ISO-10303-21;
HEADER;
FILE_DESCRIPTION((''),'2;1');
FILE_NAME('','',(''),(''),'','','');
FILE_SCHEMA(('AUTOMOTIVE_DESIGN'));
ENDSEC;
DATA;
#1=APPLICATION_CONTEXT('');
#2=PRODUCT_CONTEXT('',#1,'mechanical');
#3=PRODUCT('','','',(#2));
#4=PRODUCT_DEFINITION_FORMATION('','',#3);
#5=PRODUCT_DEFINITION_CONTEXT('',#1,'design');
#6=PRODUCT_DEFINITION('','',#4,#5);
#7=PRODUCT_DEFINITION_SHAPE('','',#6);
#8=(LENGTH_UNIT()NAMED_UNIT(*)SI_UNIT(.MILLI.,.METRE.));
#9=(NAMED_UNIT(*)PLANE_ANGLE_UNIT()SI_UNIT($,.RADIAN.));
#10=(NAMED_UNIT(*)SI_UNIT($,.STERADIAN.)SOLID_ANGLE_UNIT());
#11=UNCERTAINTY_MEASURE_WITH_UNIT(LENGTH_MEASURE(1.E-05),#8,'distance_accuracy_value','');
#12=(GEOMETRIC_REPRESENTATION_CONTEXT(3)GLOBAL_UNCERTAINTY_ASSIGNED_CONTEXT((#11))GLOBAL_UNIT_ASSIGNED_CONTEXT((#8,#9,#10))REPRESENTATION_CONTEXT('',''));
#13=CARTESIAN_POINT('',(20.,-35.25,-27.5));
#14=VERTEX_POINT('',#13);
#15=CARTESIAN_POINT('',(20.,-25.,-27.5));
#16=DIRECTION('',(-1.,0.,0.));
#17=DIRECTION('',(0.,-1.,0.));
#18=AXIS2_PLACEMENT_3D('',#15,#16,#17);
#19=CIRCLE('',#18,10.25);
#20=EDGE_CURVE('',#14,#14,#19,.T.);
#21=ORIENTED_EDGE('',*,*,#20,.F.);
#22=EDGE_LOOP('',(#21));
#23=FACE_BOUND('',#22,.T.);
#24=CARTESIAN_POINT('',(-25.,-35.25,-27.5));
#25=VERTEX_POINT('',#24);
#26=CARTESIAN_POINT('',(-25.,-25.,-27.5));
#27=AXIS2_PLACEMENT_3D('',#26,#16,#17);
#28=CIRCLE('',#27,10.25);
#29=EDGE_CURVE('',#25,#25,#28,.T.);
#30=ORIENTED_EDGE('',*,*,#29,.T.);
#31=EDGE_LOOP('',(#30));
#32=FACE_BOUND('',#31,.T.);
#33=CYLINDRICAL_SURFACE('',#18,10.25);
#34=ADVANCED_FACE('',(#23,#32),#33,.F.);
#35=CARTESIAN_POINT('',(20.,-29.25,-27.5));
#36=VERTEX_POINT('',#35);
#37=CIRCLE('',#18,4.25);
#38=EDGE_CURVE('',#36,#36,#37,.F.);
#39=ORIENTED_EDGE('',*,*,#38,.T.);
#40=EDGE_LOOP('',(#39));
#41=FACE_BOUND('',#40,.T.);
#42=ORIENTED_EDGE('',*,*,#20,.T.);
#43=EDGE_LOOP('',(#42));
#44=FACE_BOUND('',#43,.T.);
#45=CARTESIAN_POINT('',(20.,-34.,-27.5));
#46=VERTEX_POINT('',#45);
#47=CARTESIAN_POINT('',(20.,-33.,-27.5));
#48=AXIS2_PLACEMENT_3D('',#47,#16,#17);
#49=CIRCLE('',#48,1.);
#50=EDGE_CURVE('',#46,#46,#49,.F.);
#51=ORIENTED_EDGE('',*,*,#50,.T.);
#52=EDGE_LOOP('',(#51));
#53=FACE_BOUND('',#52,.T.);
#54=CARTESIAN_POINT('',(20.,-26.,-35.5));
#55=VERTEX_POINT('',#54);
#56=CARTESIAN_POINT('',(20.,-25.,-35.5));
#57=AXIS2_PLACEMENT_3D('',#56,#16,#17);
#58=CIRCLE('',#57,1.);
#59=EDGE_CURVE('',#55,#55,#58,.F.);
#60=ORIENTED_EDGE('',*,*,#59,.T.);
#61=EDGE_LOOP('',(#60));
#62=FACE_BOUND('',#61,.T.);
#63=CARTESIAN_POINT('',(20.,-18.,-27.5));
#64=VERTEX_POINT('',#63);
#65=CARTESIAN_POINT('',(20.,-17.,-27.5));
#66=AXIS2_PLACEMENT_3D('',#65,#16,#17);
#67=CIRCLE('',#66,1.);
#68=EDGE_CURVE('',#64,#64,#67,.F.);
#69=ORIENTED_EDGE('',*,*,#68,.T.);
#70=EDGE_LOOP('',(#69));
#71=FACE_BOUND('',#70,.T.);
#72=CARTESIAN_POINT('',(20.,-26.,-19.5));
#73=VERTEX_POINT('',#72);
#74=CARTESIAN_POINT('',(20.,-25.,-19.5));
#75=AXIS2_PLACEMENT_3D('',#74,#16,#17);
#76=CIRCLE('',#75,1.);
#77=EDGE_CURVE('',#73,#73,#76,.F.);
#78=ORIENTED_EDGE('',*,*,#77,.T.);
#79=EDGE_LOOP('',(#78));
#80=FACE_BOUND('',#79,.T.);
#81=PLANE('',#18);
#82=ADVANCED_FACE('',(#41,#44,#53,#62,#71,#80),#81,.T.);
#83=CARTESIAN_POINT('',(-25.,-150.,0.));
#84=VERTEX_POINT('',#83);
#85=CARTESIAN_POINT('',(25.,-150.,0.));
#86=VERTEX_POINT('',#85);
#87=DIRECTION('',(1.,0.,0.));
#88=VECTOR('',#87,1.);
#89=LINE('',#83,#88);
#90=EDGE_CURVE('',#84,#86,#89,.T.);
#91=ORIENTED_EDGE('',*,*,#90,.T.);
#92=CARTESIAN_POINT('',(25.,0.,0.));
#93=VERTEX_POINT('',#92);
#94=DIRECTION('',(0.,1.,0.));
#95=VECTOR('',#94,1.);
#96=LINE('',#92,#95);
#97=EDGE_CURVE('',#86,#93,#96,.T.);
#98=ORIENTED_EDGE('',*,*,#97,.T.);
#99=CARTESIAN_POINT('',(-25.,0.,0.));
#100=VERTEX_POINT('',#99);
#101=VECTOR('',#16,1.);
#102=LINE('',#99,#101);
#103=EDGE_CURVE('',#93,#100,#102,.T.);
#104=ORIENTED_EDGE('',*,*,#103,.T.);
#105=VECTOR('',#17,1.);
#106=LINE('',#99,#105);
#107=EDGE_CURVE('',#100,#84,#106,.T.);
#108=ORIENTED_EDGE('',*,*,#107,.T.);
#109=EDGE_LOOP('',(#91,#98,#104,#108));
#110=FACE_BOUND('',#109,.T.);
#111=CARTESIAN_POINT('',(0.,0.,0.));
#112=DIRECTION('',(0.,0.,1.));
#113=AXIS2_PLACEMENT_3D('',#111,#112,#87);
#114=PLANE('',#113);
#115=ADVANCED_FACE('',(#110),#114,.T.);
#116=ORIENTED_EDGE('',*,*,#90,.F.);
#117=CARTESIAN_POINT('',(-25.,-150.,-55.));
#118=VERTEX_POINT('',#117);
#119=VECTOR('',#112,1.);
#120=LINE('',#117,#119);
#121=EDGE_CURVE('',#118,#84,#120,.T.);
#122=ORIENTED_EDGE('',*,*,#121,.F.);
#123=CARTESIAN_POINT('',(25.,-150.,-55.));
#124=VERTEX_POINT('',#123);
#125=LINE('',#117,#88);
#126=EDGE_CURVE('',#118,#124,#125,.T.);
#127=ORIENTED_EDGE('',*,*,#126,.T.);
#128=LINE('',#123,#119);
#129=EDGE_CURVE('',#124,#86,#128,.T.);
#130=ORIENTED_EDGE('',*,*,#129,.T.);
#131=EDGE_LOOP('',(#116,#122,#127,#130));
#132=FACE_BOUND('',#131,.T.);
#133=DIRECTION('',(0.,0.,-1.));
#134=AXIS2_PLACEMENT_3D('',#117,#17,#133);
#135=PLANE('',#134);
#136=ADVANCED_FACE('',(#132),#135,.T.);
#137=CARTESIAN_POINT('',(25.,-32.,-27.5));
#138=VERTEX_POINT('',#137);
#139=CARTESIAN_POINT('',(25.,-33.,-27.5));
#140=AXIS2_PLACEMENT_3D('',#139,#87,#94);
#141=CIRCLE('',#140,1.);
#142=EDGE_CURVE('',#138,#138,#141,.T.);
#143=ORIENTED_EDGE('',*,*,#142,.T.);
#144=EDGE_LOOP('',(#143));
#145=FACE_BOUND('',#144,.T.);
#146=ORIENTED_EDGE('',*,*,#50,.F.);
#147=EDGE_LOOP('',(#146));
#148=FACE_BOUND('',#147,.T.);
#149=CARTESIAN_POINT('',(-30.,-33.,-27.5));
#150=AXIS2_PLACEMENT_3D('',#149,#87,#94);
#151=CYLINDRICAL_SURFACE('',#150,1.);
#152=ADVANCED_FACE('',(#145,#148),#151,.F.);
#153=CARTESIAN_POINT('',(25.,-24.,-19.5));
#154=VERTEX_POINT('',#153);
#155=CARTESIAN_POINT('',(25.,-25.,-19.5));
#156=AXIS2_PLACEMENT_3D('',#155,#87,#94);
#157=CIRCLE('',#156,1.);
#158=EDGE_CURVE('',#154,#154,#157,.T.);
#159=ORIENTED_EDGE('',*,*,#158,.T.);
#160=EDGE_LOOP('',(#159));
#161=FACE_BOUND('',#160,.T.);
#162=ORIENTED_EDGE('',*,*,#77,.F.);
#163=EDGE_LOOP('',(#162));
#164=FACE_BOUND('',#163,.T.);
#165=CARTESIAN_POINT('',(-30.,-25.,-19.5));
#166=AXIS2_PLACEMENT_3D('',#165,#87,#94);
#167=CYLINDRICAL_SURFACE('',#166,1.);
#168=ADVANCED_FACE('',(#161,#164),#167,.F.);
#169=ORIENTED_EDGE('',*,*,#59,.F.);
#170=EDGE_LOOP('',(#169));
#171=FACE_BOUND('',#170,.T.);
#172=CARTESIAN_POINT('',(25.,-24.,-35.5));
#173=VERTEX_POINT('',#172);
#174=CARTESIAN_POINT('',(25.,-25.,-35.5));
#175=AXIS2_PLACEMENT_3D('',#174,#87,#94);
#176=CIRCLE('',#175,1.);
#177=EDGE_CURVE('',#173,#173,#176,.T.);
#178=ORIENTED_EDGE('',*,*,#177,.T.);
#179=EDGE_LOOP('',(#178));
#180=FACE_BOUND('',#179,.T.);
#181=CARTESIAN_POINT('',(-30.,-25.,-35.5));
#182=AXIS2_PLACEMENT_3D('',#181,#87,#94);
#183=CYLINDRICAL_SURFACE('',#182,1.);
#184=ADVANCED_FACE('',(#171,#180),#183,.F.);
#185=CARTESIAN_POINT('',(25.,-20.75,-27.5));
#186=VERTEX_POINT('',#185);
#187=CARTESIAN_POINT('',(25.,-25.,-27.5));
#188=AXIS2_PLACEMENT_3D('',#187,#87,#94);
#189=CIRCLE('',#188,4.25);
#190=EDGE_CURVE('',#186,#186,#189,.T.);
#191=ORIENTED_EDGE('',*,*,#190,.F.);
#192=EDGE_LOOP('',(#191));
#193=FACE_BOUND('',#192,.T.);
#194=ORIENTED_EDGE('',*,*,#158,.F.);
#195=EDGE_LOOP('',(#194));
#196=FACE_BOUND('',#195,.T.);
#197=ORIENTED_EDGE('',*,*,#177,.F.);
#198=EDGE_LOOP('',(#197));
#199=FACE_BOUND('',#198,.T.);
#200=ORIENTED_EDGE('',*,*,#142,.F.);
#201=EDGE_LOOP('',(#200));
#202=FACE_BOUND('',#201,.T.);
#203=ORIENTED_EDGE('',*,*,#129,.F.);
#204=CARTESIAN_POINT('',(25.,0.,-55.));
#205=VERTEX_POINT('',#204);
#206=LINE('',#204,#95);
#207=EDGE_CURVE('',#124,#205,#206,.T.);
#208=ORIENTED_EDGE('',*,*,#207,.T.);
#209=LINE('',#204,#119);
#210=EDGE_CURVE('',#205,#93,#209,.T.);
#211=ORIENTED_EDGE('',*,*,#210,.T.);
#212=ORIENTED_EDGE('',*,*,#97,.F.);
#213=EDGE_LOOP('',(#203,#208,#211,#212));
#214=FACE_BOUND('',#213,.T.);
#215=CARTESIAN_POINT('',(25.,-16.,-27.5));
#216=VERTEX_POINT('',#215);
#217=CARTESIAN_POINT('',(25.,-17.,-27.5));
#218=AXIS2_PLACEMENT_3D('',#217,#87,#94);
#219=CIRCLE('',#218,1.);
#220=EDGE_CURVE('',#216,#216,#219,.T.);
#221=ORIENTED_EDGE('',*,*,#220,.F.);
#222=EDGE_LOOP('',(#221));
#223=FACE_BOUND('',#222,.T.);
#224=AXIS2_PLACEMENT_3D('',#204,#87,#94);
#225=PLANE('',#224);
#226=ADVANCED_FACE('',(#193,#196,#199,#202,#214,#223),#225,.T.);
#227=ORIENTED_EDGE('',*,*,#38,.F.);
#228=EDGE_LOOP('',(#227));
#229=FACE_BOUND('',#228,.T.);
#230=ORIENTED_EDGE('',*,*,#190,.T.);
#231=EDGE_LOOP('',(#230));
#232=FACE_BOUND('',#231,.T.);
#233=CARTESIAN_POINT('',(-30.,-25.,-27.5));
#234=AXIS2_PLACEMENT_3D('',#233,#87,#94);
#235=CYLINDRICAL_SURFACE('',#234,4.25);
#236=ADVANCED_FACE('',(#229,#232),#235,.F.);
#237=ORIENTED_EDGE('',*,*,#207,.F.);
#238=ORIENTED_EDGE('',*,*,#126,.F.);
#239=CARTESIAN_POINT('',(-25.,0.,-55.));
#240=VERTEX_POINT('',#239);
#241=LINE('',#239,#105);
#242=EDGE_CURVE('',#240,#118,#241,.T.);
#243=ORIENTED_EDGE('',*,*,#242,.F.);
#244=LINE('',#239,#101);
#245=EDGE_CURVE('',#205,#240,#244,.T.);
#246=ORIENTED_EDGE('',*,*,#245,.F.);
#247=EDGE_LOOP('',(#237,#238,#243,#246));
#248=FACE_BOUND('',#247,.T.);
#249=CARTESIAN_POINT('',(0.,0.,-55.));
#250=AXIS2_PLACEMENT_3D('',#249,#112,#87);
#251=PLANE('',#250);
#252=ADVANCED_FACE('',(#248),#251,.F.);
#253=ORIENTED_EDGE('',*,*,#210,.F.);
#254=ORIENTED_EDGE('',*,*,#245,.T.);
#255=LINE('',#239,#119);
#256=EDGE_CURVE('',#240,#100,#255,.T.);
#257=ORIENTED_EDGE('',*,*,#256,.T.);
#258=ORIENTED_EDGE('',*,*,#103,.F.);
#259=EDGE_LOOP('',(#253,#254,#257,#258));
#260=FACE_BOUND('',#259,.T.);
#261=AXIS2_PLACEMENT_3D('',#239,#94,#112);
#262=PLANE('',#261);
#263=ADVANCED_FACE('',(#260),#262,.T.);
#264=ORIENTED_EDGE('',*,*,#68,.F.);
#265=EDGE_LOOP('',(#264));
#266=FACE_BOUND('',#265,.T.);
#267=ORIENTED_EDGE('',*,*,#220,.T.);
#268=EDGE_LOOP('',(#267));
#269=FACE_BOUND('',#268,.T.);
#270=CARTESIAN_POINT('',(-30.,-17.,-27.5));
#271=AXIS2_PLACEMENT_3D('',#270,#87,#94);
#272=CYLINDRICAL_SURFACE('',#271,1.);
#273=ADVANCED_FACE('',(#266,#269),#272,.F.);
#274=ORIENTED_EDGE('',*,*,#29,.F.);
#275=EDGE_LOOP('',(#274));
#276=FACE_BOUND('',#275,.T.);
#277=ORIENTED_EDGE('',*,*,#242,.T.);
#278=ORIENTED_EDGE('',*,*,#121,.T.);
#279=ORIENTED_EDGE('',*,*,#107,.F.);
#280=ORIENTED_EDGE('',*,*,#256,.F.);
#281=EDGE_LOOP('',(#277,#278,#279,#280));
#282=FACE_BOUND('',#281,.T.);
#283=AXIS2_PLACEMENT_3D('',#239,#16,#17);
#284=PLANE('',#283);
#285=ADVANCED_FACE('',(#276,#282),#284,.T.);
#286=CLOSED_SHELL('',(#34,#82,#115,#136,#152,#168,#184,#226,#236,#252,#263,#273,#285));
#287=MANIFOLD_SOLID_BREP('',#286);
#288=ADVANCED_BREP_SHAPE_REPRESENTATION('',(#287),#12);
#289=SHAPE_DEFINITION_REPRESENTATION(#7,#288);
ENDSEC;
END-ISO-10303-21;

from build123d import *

# Parameters (mm, degrees)
SKETCH1_W               = 50
SKETCH1_H               = 150
BOSS_EXTRUDE1_DEPTH     = 55
CUT_EXTRUDE1_DEPTH      = 168.406690428
CUT_EXTRUDE1_DEPTH_BACK = 45
SKETCH2_R               = 10.25
SKETCH7_R               = 1
SKETCH7_R_2             = 4.25
CUT_EXTRUDE3_DEPTH      = 10
BOSS_EXTRUDE2_START     = 45
SKETCH8_R               = 10.25
SKETCH8_R_2             = 1
SKETCH8_R_3             = 4.25
BOSS_EXTRUDE2_DEPTH     = 45
SKETCH9_R               = 10.25
CUT_EXTRUDE4_DEPTH      = 45


with BuildPart() as part:
    # Sketch1 → Boss-Extrude1 (new body)
    with BuildSketch(Plane.XY):
        with Locations((0, -75)):
            Rectangle(SKETCH1_W, SKETCH1_H)
    extrude(amount=-BOSS_EXTRUDE1_DEPTH)

    # Sketch2 → Cut-Extrude1 (cut, two sides: drawn at the far end of the back side and taken through both)
    with BuildSketch(Plane(origin=(25, 0, 0), x_dir=(0, 0, -1), z_dir=(1, 0, 0)).offset(-CUT_EXTRUDE1_DEPTH_BACK)):
        with Locations(Location((27.5, -25, 0), (0, 0, 270))):
            Circle(SKETCH2_R)
    extrude(amount=CUT_EXTRUDE1_DEPTH + CUT_EXTRUDE1_DEPTH_BACK, mode=Mode.SUBTRACT)

    # Sketch7 → Cut-Extrude3 (cut)
    with BuildSketch(Plane(origin=(-20, 0, 0), x_dir=(0, 0, -1), z_dir=(1, 0, 0))):
        with Locations(Location((27.5, -17, 0), (0, 0, 90))):
            Circle(SKETCH7_R)
        with Locations(Location((35.5, -25, 0), (0, 0, 90))):
            Circle(SKETCH7_R)
        with Locations(Location((27.5, -33, 0), (0, 0, 90))):
            Circle(SKETCH7_R)
        with Locations(Location((19.5, -25, 0), (0, 0, 90))):
            Circle(SKETCH7_R)
        with Locations(Location((27.5, -25, 0), (0, 0, 90))):
            Circle(SKETCH7_R_2)
    extrude(amount=-CUT_EXTRUDE3_DEPTH, mode=Mode.SUBTRACT)

    # Sketch8 → Boss-Extrude2 (add)
    with BuildSketch(Plane(origin=(-20, 0, 0), x_dir=(0, 0, -1), z_dir=(1, 0, 0)).offset(BOSS_EXTRUDE2_START)):
        with Locations((27.5, -25)):
            Circle(SKETCH8_R)
        with Locations(Location((27.5, -17, 0), (0, 0, 90))):
            Circle(SKETCH8_R_2, mode=Mode.SUBTRACT)
        with Locations(Location((27.5, -25, 0), (0, 0, 90))):
            Circle(SKETCH8_R_3, mode=Mode.SUBTRACT)
        with Locations(Location((35.5, -25, 0), (0, 0, 90))):
            Circle(SKETCH8_R_2, mode=Mode.SUBTRACT)
        with Locations(Location((27.5, -33, 0), (0, 0, 90))):
            Circle(SKETCH8_R_2, mode=Mode.SUBTRACT)
        with Locations(Location((19.5, -25, 0), (0, 0, 90))):
            Circle(SKETCH8_R_2, mode=Mode.SUBTRACT)
    extrude(amount=-BOSS_EXTRUDE2_DEPTH)

    # Sketch9 → Cut-Extrude4 (cut)
    with BuildSketch(Plane.ZY.offset(25)):
        with Locations(Location((-27.5, -25, 0), (0, 0, 270))):
            Circle(SKETCH9_R)
    extrude(amount=-CUT_EXTRUDE4_DEPTH, mode=Mode.SUBTRACT)


solid = part.part
